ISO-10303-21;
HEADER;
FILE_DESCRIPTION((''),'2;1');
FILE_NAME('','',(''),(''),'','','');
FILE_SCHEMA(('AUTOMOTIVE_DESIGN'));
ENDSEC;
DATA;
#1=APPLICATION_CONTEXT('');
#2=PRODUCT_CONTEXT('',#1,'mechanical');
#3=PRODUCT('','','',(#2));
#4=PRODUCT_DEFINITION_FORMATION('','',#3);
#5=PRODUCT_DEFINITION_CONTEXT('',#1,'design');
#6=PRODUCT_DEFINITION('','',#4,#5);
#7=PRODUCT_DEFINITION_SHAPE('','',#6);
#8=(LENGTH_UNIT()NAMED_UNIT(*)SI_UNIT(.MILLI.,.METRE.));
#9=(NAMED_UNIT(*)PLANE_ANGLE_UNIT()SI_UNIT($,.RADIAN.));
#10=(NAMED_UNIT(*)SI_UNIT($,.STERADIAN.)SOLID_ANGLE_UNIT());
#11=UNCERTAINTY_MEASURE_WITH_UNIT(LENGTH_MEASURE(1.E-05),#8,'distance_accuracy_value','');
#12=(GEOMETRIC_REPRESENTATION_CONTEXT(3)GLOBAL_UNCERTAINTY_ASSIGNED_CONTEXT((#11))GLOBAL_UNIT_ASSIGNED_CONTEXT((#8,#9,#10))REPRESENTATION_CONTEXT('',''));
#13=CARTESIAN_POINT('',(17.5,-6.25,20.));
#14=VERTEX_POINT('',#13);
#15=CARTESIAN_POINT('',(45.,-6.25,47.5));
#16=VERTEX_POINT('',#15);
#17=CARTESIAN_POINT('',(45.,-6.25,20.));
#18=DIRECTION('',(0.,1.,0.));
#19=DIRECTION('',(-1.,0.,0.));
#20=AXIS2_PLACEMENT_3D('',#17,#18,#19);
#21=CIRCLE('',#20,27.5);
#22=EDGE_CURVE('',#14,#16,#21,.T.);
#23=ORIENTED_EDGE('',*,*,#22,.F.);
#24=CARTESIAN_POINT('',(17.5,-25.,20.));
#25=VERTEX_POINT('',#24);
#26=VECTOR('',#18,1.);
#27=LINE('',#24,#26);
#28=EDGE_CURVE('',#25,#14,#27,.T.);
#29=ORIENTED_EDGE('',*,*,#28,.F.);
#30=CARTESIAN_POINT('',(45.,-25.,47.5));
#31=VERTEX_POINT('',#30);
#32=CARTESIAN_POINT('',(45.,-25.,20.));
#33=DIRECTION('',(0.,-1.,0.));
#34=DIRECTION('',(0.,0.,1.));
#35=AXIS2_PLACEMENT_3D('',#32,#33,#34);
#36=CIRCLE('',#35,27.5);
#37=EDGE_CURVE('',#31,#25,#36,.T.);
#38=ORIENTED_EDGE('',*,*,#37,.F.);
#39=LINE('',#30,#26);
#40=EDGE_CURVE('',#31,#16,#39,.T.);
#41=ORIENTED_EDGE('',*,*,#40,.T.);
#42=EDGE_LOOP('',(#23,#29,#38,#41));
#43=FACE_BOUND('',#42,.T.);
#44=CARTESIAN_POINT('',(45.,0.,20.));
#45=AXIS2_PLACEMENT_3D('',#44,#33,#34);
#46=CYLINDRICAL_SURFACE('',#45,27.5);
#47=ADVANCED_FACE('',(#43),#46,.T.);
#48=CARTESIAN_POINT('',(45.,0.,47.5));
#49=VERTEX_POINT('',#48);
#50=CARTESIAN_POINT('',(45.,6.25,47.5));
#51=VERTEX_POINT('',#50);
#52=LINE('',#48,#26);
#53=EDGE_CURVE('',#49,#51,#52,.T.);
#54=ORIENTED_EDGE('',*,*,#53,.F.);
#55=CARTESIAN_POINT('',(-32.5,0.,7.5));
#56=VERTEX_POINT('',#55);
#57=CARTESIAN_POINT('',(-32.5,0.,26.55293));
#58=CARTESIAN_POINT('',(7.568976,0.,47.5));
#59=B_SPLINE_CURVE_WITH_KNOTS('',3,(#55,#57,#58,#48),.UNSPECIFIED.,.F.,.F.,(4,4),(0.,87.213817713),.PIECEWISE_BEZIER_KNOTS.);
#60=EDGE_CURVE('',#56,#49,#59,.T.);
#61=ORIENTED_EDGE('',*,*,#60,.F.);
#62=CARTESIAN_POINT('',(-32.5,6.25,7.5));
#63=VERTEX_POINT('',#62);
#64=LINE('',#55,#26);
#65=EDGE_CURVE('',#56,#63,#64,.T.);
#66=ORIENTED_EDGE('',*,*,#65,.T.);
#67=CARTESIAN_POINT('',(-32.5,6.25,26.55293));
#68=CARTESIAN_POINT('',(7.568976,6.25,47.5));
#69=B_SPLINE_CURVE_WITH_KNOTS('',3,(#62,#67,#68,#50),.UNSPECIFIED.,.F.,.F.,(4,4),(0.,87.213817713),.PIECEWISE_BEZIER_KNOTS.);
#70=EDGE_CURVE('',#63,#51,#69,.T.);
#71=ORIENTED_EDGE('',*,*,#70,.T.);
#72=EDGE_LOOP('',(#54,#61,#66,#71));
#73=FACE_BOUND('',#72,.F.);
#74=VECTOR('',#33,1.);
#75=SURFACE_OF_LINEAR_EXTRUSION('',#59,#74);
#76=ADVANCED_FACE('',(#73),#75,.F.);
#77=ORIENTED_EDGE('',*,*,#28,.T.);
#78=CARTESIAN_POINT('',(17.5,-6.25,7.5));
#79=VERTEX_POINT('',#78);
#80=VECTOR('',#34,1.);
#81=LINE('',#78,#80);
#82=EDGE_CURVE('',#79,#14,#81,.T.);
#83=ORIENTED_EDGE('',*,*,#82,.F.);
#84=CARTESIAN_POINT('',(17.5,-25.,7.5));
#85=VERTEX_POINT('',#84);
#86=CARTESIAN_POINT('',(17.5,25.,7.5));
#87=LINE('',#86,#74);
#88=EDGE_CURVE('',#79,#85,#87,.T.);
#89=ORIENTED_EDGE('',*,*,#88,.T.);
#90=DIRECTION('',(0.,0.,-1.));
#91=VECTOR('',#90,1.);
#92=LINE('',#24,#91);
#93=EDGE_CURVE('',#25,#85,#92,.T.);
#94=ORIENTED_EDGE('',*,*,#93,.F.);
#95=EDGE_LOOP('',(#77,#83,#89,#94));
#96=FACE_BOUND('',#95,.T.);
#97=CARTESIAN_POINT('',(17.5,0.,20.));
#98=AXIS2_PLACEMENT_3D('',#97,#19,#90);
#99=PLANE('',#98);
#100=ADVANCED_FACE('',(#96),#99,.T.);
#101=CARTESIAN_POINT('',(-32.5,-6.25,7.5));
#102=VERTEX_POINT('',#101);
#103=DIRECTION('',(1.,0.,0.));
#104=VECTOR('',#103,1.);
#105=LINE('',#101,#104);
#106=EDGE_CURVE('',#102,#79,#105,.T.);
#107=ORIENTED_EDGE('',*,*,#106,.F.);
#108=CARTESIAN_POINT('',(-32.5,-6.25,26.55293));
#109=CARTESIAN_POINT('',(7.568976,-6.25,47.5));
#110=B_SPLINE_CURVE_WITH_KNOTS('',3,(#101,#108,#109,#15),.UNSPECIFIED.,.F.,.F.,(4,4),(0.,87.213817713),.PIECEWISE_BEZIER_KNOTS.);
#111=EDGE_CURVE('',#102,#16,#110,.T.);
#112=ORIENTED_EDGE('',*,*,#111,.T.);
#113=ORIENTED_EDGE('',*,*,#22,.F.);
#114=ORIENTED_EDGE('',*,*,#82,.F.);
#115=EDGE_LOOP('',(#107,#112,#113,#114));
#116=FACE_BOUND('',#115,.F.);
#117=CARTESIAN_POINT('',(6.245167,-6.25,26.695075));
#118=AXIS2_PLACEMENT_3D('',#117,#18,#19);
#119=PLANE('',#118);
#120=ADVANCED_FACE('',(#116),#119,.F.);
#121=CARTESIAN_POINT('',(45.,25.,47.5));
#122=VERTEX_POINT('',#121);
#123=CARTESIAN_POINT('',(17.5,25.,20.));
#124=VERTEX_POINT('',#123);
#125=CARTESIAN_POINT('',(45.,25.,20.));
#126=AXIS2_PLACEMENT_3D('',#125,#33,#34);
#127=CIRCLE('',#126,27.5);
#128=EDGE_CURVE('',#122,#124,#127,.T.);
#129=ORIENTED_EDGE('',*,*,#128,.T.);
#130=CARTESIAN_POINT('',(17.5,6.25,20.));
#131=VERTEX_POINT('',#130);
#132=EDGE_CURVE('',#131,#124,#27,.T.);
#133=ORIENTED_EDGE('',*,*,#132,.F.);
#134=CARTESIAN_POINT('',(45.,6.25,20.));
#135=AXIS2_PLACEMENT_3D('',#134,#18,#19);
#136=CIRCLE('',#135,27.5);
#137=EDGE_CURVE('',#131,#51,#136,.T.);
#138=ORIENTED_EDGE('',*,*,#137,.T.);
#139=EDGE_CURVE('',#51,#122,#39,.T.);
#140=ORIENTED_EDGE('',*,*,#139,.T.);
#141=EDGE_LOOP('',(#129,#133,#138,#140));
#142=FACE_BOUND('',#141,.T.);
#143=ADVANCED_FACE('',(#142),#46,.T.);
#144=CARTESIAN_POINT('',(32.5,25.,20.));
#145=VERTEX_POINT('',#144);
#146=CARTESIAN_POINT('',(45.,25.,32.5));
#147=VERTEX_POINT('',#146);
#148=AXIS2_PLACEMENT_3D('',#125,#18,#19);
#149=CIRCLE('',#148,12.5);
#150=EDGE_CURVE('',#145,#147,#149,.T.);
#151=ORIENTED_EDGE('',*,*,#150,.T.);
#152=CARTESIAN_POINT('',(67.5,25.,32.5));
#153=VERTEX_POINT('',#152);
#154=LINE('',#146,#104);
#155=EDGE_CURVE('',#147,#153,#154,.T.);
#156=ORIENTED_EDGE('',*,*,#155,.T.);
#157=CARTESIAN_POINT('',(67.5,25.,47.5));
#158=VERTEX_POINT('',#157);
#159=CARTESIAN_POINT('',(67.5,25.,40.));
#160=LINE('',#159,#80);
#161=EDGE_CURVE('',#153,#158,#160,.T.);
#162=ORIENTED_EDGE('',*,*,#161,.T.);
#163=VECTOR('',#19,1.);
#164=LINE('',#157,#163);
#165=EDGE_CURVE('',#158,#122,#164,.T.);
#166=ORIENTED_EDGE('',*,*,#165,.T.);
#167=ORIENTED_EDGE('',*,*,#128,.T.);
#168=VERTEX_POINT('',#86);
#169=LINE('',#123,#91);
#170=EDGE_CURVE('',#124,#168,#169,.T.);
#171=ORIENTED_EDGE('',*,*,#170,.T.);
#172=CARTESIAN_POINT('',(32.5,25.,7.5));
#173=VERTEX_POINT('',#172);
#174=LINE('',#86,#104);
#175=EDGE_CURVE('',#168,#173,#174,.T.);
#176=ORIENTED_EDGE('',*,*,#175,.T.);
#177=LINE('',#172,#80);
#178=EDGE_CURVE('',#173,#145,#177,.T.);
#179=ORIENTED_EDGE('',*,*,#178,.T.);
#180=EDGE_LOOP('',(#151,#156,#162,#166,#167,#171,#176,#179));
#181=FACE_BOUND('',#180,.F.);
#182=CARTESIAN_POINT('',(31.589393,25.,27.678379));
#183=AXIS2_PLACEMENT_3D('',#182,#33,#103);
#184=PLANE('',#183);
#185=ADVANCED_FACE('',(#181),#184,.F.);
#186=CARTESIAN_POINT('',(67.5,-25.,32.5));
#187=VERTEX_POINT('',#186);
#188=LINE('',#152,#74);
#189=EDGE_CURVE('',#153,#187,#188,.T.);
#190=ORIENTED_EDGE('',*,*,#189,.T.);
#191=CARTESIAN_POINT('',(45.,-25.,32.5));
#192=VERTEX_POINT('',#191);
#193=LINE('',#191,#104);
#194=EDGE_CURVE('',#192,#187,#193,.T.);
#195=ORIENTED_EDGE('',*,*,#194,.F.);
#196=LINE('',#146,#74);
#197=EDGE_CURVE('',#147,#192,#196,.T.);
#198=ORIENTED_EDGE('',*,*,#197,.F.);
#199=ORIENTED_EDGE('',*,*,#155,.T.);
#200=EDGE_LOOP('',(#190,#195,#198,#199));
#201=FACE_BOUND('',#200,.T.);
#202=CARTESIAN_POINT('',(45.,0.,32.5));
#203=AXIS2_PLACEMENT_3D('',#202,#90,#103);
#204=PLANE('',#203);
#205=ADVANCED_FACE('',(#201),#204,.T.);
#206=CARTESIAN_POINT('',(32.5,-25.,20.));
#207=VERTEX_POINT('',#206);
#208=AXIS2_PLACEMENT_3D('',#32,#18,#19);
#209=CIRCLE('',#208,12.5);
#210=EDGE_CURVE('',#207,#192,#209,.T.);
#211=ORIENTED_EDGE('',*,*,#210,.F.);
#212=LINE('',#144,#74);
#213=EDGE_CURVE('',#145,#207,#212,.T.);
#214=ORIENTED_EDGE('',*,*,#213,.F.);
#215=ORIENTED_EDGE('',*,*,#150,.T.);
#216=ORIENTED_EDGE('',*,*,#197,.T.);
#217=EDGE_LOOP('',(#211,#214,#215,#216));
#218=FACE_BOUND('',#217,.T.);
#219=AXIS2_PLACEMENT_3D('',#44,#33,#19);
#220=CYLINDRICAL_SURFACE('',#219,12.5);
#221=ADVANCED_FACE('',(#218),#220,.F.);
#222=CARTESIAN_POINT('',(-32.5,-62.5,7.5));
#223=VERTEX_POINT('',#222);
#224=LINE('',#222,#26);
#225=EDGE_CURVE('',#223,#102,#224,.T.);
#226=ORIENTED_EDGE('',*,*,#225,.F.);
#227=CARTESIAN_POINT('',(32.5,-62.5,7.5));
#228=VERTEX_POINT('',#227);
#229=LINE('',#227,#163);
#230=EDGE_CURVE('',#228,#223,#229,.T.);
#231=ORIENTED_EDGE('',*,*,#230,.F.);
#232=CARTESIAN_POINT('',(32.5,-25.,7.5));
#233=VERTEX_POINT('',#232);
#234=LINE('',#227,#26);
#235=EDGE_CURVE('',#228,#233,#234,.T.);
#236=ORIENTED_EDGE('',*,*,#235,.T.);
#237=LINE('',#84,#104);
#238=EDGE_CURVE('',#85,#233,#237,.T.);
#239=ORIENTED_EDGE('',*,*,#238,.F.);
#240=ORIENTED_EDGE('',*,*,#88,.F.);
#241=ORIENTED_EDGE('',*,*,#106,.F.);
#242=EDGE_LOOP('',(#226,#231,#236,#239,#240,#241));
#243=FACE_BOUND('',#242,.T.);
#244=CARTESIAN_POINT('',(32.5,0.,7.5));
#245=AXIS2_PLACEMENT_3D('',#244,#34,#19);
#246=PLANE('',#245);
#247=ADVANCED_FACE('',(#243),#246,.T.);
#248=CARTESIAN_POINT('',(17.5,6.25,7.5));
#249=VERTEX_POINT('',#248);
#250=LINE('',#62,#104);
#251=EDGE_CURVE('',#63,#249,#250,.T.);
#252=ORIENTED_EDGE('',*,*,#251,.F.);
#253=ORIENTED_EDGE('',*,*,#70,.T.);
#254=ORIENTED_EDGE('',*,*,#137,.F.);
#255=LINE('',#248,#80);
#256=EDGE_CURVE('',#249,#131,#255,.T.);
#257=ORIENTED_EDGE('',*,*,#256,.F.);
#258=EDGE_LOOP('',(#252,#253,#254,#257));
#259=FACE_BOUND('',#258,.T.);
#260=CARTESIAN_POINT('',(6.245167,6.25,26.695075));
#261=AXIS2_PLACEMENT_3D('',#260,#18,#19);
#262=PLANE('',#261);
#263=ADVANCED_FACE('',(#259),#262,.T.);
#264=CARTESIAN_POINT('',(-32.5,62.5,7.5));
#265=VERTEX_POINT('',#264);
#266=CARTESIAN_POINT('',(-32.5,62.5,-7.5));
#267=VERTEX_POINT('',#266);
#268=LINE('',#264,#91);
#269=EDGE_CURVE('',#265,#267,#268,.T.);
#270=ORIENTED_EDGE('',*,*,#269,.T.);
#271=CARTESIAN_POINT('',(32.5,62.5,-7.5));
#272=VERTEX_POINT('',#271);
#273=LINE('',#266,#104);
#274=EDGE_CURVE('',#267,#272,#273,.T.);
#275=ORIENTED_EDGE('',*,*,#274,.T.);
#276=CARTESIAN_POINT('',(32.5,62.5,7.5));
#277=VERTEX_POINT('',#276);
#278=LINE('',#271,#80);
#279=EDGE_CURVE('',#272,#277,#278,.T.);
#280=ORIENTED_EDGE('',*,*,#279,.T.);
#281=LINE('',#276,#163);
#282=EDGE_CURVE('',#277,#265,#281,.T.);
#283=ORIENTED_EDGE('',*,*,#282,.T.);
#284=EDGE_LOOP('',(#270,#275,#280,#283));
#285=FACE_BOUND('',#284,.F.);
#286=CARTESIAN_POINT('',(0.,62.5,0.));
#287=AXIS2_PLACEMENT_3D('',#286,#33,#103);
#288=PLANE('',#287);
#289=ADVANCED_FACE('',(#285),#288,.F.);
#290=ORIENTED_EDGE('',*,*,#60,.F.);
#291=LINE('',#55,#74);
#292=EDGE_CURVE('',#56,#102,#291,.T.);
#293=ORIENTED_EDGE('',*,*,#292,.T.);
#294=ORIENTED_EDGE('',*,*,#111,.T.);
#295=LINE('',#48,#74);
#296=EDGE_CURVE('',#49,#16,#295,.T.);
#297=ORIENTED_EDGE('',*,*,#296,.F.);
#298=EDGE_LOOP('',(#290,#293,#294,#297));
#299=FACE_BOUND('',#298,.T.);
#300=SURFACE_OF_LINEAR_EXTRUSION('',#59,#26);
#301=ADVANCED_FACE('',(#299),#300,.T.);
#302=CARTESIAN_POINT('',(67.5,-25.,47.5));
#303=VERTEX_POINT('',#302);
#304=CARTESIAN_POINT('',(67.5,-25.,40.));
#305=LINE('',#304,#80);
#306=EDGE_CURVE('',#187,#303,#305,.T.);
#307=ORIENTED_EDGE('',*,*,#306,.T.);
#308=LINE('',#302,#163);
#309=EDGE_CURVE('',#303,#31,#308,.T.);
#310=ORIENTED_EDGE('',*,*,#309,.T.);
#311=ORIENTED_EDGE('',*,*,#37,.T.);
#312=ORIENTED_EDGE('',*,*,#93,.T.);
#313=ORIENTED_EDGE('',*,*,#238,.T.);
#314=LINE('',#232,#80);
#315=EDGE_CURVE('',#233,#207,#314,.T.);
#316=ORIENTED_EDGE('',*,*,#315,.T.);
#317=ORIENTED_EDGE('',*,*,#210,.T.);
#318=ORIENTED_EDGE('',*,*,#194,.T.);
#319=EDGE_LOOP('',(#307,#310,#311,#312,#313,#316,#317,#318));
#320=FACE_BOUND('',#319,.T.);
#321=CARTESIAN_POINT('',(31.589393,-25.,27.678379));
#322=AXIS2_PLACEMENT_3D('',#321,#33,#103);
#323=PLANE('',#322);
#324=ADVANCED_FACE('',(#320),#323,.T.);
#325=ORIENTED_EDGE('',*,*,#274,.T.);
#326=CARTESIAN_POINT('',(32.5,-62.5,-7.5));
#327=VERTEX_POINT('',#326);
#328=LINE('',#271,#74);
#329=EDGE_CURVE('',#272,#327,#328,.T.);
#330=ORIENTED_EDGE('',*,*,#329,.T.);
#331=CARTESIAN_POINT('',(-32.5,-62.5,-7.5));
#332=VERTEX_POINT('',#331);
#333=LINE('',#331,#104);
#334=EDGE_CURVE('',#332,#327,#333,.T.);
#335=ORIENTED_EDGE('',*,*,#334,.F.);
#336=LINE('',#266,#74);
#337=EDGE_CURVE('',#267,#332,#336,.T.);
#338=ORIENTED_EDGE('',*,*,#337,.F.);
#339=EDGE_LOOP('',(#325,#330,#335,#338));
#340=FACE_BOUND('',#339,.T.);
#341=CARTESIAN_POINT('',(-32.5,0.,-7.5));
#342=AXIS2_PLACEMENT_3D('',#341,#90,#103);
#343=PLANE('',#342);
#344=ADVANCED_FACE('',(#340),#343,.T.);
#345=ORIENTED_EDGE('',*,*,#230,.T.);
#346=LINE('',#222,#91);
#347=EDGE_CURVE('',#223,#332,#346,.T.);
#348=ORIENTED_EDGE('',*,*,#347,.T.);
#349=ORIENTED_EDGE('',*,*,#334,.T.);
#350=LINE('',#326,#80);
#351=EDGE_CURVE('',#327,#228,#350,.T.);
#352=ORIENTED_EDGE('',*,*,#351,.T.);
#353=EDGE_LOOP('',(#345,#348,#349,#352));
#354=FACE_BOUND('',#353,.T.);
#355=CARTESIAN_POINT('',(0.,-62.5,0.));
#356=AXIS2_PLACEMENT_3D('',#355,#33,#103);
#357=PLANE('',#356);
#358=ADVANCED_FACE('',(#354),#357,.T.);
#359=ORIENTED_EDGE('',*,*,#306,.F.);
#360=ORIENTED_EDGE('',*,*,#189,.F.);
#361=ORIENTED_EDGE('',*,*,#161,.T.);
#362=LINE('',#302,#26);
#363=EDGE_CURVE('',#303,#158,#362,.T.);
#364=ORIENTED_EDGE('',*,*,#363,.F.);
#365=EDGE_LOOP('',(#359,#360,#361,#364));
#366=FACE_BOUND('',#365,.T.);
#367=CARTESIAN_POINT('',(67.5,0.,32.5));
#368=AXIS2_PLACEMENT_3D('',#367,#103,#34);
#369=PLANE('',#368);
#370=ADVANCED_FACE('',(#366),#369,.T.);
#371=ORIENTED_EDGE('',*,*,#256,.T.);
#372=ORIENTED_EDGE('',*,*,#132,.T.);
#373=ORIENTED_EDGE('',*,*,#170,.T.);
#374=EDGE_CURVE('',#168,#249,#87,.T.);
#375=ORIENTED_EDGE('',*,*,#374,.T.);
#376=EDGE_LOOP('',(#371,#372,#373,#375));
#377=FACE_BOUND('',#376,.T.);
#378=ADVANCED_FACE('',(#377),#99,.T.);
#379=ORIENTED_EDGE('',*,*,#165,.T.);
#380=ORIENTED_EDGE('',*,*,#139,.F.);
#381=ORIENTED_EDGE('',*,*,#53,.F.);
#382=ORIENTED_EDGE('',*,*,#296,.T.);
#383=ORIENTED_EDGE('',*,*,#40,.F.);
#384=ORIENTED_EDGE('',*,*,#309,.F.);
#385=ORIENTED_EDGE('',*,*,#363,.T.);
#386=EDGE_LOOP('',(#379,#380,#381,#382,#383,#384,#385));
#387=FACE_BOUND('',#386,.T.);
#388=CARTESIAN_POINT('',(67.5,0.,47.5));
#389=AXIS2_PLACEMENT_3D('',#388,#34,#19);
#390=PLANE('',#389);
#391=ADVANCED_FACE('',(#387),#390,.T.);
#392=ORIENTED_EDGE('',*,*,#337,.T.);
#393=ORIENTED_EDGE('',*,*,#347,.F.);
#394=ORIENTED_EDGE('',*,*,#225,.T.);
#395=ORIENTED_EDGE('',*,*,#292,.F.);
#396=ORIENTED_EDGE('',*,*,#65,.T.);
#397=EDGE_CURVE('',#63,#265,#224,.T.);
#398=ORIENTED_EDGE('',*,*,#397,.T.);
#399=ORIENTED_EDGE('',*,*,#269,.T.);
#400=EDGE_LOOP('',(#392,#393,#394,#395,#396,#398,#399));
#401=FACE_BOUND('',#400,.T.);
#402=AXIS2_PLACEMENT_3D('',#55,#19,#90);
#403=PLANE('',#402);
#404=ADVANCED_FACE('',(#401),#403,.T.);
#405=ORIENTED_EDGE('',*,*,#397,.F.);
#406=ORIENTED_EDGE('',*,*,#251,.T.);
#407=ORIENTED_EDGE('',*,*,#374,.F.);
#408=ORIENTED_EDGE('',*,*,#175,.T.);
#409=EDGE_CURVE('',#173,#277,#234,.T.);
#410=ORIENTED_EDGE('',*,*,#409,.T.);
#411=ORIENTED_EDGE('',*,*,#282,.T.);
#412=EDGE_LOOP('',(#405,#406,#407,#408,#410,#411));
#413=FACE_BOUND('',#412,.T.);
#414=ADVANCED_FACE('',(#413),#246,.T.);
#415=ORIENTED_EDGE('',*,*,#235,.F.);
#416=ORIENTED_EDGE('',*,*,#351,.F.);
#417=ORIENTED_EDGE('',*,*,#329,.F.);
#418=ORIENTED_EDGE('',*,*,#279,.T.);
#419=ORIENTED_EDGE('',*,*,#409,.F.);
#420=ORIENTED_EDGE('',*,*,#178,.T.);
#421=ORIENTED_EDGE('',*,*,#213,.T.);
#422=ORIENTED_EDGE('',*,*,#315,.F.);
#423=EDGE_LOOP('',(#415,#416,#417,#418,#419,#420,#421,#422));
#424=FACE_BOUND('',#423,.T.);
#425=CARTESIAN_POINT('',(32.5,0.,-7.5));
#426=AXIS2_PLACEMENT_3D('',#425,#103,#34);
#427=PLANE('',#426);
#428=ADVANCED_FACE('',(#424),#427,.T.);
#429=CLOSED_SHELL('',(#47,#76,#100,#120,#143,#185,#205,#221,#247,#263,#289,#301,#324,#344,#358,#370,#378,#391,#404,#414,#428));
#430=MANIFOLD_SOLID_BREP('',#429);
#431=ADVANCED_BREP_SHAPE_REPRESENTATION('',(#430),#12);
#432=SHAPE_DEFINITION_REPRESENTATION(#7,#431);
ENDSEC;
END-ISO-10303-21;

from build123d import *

# Parameters (mm, degrees)
F1_DEPTH = 62.5
F0_W     = 20
F0_H     = 15
F2_DEPTH = 25
F3_DEPTH = 6.25


with BuildPart() as f1:
    # F0 (on Front) → F1 (new body, symmetric)
    with BuildSketch(Plane.XZ):
        Polygon((17.5, 7.5), (-32.5, 7.5), (-32.5, -7.5), (32.5, -7.5), (32.5, 7.5), align=None)
    extrude(amount=F1_DEPTH, both=True)

    # F0 (on Front) → F2 (join, symmetric)
    with BuildSketch(Plane.XZ):
        with BuildLine():
            Line((17.5, 20), (17.5, 7.5))
            Line((17.5, 7.5), (32.5, 7.5))
            Line((32.5, 7.5), (32.5, 20))
            ThreePointArc((32.5, 20), (36.1611652352, 28.8388347648), (45, 32.5))
            Line((45, 32.5), (47.5, 32.5))
            Line((47.5, 32.5), (47.5, 47.5))
            Line((47.5, 47.5), (45, 47.5))
            ThreePointArc((45, 47.5), (25.5545635174, 39.4454364826), (17.5, 20))
        make_face()
        with Locations((57.5, 40)):
            Rectangle(F0_W, F0_H)
    extrude(amount=F2_DEPTH, both=True)

    # F0 (on Front) → F3 (join, symmetric)
    with BuildSketch(Plane.XZ):
        with BuildLine():
            add(Edge.make_bspline(
                [(-32.5, 7.5), (-32.5, 26.5529304743), (7.5689763762, 47.5), (45, 47.5)],
                knots=[0, 0, 0, 0, 87.2138177126, 87.2138177126, 87.2138177126, 87.2138177126], degree=3))
            Line((-32.5, 7.5), (17.5, 7.5))
            Line((17.5, 7.5), (17.5, 20))
            ThreePointArc((17.5, 20), (25.5545635174, 39.4454364826), (45, 47.5))
        make_face()
    extrude(amount=F3_DEPTH, both=True)


solid = f1.part
